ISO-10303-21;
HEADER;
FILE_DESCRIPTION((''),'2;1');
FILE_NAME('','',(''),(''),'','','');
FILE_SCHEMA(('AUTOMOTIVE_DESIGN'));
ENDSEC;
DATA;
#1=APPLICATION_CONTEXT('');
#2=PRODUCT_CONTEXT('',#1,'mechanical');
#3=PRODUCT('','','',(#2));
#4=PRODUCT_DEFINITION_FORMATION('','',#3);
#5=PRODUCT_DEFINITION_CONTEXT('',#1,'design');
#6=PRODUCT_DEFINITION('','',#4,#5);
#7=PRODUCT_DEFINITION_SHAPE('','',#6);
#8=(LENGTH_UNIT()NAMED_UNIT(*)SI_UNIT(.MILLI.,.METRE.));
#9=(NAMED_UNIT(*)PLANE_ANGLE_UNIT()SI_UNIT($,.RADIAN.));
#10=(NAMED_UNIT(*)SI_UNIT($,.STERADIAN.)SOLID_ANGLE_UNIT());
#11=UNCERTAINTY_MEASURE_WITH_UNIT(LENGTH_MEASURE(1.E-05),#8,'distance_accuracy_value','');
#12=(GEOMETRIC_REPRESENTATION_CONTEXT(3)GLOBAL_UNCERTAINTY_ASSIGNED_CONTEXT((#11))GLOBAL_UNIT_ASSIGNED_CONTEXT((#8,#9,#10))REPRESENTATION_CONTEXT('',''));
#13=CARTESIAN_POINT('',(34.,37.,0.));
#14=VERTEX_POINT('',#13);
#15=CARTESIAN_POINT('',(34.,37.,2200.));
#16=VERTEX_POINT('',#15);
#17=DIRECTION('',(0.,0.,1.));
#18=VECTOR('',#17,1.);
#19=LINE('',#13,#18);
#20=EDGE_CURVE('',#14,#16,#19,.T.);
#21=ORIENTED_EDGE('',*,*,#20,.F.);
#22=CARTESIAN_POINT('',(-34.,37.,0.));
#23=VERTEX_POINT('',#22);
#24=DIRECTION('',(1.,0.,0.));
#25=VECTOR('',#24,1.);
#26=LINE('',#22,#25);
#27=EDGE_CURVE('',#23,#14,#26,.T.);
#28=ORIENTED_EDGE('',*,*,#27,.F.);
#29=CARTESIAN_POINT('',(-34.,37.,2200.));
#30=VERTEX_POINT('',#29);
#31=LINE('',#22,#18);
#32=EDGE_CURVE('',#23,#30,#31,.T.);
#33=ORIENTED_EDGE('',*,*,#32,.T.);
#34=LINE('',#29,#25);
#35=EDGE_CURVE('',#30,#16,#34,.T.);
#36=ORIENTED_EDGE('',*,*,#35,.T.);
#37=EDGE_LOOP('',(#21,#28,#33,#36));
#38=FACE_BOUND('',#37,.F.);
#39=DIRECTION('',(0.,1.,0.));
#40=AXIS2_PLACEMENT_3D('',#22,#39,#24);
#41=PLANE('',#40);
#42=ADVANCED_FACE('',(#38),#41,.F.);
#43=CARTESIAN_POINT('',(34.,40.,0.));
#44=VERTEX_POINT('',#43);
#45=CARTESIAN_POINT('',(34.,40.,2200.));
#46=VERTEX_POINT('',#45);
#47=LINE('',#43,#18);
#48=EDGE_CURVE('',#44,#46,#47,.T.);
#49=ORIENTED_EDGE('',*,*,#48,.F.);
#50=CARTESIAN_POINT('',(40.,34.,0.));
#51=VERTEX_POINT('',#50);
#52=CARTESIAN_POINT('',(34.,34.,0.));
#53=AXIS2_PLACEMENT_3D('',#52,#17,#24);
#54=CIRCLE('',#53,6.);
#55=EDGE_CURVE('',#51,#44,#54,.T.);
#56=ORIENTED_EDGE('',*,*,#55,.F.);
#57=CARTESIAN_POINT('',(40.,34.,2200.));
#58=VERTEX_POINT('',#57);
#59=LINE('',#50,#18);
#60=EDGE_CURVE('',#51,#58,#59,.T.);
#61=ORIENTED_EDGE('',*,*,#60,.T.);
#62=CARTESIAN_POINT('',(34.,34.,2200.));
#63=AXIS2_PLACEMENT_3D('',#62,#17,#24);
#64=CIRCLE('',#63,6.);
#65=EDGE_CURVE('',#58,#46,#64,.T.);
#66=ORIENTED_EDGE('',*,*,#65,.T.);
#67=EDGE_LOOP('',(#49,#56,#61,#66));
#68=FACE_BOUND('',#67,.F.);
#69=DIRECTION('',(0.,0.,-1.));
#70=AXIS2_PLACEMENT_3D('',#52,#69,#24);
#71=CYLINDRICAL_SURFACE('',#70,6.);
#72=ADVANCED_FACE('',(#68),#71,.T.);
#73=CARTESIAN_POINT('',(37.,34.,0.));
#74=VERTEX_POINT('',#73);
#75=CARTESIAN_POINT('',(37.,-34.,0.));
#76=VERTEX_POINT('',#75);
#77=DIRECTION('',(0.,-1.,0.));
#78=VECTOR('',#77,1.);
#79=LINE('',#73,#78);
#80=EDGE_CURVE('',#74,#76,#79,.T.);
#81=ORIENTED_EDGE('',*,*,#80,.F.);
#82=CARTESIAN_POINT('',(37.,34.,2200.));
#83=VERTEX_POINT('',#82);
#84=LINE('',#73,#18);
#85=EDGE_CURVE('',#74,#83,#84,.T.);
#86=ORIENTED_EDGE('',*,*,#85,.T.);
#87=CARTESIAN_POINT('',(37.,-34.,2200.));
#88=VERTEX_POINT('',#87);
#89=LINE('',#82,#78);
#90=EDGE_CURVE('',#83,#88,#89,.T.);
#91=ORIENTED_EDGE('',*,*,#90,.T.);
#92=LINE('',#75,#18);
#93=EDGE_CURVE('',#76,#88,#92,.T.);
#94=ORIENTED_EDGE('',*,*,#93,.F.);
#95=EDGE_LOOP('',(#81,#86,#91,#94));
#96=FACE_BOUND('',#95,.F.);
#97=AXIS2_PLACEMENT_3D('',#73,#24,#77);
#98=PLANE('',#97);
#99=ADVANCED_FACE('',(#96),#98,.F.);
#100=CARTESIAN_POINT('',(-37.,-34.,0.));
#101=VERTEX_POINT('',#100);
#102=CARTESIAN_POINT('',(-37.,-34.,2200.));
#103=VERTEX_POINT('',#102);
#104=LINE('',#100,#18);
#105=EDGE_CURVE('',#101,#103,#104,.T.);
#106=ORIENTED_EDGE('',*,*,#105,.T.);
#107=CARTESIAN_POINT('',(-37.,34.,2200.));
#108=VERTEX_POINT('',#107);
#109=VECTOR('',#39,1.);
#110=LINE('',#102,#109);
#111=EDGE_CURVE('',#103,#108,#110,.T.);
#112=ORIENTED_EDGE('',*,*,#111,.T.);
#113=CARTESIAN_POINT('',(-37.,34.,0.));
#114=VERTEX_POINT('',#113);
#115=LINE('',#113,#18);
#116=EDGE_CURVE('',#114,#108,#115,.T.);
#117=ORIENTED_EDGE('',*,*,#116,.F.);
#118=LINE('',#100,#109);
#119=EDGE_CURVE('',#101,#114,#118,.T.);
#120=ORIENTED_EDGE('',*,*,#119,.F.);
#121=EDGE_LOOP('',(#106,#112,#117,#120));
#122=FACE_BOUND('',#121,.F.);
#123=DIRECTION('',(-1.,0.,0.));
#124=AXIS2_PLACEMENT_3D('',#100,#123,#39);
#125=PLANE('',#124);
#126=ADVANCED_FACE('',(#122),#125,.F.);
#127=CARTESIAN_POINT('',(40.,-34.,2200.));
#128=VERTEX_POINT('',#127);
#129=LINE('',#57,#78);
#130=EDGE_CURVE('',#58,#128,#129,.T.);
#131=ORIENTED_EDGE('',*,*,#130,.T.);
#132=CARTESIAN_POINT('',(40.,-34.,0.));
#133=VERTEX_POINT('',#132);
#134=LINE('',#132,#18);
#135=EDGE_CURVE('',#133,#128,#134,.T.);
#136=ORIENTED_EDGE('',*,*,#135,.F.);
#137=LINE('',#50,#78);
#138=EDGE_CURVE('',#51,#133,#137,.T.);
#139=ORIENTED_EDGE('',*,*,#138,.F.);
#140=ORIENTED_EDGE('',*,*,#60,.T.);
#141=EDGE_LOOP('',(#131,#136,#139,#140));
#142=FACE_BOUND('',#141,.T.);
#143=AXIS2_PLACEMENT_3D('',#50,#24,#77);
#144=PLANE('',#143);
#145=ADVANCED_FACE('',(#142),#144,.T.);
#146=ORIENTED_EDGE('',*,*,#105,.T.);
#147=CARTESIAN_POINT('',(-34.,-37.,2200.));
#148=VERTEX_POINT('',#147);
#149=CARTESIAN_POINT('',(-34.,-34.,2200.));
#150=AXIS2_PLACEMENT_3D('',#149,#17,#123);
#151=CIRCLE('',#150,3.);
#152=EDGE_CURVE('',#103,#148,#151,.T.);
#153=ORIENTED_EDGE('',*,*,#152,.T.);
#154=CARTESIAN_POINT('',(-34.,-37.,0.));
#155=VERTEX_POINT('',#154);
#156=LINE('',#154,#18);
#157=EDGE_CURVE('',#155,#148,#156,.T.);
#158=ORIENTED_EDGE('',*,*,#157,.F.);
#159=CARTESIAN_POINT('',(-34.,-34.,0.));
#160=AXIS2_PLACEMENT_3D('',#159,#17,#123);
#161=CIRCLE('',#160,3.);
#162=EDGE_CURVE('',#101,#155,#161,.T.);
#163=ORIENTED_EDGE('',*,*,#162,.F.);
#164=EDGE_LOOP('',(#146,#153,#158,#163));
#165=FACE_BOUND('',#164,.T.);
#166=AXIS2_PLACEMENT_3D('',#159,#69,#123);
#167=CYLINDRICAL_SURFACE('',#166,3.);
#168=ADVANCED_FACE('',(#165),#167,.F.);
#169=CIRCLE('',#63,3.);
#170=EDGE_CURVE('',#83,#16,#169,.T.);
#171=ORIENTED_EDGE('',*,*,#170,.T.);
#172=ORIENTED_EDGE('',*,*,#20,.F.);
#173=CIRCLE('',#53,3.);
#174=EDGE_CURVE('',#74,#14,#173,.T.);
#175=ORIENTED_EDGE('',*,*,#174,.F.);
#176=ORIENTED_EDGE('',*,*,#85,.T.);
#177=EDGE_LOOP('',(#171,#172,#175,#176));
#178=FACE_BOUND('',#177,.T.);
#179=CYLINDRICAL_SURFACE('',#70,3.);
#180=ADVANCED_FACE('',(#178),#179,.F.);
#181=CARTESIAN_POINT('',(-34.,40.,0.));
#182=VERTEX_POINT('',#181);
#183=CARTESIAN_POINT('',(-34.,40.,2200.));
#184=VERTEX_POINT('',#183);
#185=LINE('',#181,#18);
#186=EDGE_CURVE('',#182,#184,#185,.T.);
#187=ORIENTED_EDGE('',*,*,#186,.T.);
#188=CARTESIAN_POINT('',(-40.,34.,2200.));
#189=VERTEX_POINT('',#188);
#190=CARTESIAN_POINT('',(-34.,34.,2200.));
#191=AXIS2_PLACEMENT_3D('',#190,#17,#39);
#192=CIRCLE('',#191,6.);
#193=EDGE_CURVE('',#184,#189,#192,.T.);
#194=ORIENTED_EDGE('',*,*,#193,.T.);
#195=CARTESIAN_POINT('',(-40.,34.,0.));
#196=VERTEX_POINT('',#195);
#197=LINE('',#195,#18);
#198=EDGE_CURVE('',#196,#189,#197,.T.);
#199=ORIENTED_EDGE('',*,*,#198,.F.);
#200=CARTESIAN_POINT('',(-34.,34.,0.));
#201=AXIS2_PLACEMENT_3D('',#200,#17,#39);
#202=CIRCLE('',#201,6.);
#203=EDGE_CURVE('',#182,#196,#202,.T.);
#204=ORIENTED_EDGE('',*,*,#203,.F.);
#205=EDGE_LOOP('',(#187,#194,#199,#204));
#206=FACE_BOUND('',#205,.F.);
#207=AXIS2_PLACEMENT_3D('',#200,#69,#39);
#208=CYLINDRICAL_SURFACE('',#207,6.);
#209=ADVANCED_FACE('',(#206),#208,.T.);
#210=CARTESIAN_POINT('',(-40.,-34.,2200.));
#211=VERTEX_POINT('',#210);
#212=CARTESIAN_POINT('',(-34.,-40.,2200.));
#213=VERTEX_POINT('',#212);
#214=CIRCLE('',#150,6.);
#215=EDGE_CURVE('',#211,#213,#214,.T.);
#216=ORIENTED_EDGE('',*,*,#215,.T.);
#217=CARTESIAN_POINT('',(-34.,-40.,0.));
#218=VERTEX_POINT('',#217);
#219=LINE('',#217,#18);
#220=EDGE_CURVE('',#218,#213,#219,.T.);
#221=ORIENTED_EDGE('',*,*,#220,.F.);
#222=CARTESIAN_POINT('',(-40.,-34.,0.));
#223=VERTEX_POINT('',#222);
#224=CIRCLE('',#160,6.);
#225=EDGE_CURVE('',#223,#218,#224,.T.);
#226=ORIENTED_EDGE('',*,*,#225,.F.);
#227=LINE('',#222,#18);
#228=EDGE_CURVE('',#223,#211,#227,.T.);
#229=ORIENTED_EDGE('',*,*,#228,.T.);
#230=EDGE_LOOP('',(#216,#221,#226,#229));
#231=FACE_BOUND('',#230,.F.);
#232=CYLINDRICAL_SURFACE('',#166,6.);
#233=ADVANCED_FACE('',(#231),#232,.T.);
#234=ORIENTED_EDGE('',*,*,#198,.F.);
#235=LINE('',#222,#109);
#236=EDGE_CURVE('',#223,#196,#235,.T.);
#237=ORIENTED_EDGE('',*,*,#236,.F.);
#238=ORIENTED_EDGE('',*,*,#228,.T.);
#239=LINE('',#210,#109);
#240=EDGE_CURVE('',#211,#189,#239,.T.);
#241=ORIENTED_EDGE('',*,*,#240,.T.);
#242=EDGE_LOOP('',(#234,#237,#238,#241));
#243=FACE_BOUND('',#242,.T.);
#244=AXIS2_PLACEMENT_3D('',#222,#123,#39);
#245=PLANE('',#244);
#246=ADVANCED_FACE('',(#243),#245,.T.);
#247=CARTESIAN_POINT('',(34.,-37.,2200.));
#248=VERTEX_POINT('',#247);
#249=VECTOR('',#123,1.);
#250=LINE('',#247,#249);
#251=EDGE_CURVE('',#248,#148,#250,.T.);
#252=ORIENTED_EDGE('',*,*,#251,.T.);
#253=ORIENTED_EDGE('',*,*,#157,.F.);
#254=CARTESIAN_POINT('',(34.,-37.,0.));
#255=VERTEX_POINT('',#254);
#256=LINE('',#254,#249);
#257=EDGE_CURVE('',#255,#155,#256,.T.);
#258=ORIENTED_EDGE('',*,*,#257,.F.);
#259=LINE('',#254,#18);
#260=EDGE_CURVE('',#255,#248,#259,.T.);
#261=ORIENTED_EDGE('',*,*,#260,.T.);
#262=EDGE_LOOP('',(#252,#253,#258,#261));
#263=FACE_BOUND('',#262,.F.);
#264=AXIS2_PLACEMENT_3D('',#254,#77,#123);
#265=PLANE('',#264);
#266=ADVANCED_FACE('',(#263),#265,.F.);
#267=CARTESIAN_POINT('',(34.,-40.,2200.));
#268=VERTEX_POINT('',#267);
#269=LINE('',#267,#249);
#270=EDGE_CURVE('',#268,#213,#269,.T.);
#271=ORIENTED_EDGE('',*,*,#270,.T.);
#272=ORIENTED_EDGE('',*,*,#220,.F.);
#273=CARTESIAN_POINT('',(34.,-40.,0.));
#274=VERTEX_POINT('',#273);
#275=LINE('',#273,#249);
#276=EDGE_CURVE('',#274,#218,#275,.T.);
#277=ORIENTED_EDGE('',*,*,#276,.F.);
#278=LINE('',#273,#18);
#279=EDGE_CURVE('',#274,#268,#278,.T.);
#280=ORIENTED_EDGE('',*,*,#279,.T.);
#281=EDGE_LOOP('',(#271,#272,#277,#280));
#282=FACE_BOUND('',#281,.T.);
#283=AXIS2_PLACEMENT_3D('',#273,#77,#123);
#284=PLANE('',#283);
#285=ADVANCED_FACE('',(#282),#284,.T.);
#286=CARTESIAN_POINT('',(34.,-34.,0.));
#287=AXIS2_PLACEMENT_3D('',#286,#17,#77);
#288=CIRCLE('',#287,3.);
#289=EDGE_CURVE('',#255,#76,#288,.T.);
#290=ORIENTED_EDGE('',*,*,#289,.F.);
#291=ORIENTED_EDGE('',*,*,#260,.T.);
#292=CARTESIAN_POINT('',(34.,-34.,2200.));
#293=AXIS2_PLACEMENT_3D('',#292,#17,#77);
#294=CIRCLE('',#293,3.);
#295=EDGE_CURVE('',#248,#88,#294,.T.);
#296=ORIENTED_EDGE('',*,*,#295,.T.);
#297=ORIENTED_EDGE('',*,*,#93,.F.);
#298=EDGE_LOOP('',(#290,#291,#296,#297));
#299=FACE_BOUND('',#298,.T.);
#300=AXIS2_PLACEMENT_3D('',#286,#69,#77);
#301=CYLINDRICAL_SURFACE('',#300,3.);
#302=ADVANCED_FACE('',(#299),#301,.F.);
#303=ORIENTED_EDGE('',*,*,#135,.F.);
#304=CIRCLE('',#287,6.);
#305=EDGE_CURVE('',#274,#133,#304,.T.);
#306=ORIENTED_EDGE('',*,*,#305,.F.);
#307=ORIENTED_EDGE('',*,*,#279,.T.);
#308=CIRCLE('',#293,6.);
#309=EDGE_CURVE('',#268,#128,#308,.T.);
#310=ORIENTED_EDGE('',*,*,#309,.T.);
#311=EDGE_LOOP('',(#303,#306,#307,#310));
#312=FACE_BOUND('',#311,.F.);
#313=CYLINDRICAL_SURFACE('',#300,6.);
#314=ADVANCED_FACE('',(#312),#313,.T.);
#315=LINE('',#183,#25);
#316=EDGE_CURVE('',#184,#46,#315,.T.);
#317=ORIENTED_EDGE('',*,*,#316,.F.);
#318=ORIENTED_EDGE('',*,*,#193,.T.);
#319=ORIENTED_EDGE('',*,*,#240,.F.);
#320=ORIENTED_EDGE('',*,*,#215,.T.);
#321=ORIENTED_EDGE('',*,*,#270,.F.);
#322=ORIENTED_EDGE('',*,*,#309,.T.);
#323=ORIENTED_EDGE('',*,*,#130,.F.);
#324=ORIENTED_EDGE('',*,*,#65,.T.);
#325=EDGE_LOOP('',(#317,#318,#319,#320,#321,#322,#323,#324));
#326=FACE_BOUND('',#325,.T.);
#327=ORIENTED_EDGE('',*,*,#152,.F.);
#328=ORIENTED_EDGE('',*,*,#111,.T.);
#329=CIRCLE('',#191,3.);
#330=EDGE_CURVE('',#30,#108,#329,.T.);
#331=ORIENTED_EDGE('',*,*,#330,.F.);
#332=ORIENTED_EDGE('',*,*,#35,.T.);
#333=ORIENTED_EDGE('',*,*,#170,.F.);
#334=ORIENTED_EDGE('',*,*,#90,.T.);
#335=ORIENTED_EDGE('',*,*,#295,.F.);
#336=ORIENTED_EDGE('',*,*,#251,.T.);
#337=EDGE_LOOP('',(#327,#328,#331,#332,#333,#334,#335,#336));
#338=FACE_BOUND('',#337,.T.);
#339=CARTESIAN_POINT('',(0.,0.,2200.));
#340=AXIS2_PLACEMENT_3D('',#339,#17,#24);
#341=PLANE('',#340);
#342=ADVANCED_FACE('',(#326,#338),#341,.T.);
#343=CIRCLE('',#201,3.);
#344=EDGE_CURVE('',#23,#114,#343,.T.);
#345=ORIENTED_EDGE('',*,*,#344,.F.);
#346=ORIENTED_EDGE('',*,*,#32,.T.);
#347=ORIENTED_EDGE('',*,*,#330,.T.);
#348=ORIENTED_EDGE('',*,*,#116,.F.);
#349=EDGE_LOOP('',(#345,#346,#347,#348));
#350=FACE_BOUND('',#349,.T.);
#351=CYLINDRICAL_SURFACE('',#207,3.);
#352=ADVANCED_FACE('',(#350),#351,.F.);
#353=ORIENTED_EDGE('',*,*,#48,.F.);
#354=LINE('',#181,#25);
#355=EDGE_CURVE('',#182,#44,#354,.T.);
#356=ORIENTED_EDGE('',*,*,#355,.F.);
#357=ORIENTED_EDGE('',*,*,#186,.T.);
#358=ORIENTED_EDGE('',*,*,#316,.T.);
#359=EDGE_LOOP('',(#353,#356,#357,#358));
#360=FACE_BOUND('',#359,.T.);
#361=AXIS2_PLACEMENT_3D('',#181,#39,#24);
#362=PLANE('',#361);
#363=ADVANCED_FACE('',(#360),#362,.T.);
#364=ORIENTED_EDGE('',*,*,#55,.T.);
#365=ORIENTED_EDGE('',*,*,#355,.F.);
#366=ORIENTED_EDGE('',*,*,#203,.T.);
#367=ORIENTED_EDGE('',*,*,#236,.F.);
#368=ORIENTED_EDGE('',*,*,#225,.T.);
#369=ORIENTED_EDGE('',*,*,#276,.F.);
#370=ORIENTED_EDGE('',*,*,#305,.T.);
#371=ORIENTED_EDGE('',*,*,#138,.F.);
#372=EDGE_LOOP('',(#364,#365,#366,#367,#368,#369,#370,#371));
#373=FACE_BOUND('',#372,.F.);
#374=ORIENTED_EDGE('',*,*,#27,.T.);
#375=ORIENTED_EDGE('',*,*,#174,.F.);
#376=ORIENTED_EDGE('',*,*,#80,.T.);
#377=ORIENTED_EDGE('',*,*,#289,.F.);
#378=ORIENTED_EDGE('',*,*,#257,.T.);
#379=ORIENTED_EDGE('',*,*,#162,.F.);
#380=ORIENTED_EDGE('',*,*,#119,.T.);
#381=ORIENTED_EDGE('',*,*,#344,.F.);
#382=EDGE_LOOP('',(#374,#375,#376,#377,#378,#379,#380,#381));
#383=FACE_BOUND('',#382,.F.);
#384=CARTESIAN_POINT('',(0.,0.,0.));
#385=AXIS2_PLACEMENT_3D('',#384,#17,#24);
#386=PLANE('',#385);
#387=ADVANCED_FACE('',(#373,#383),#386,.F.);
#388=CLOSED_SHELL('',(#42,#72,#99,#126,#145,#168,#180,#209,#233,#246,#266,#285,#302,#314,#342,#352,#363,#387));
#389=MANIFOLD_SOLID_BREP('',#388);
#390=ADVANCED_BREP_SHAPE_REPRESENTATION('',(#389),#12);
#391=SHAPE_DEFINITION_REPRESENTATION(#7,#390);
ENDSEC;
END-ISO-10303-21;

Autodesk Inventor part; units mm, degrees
ref_plane "YZ Plane" through (0, 0, 0) normal (1, 0, 0) x (0, 1, 0)
ref_plane "Start plane" through (0, 0, 0) normal (0, 0, 1) x (1, 0, 0)
ref_plane "End plane" through (0, 0, 2200) normal (0, 0, 1) x (1, 0, 0)
sketch "Sketch" plane through (0, 0, 0) normal (0, 0, 1) x (1, 0, 0)
  line L0 (-40, -34) -> (-40, 34)
  line L1 (-34, 40) -> (34, 40)
  line L2 (40, 34) -> (40, -34)
  line L3 (34, -40) -> (-34, -40)
  arc A0 (-40, -34) -> (-34, -40) centre (-34, -34) ccw
  arc A1 (40, 34) -> (34, 40) centre (34, 34) ccw
  arc A2 (-34, 40) -> (-40, 34) centre (-34, 34) ccw
  arc A3 (34, -40) -> (40, -34) centre (34, -34) ccw
  arc A4 (-34, 37) -> (-37, 34) centre (-34, 34) ccw
  line L4 (-34, 37) -> (34, 37)
  arc A5 (37, 34) -> (34, 37) centre (34, 34) ccw
  line L5 (37, 34) -> (37, -34)
  arc A6 (34, -37) -> (37, -34) centre (34, -34) ccw
  line L6 (34, -37) -> (-34, -37)
  arc A7 (-37, -34) -> (-34, -37) centre (-34, -34) ccw
  line L7 (-37, -34) -> (-37, 34)
  line L8 (0, 71.7397) -> (0, -71.7397) construction
  line L9 (-71.7397, 0) -> (71.7397, 0) construction
  dimension "d7" = 6
  dimension "d9" = 80
  dimension "d11" = 80
  dimension "d12" = 3
  dimension "d15" = 40
  dimension "d16" = 40
extrude "Body" add sketch "Sketch" along normal up to surface (2200 mm away) from surface at 0
sketch "Sketch3" plane through (0, 0, 0) normal (0, 0, 1) x (1, 0, 0)
  line L0 (0, 0) -> (10, 0)
ref_plane "Work Plane3" through (0, 0, 0) normal (0, -1, 0) x (1, 0, 0)
sketch "Sketch4" plane through (0, 0, 0) normal (0, -1, 0) x (1, 0, 0)
  line L0 (-2, 0) -> (12, 0) projected
  line L1 (-2, 2200) -> (12, 2200) projected
  dimension "d18" = 2200
equation "\"d7\" = G_IR"
equation "\"d9\" = G_W"
equation "\"d11\" = G_H"
equation "\"d12\" = G_T"
equation "\"d15\" = 0.5 * d9"
equation "\"d16\" = 0.5 * d11"
equation "\"d3\" = G_L"
equation "\"G_W\" = 80"
equation "\"G_H\" = 80"
equation "\"G_T\" = 3"
equation "\"G_IR\" = 6"
equation "\"G_L\" = d18"
equation "\"G_OFFSET_START\" = 0"
equation "\"G_OFFSET_END\" = 0"
properties part number "ISO 10799-2 - 80x80x3 - 2200" material "Steel, Mild"
